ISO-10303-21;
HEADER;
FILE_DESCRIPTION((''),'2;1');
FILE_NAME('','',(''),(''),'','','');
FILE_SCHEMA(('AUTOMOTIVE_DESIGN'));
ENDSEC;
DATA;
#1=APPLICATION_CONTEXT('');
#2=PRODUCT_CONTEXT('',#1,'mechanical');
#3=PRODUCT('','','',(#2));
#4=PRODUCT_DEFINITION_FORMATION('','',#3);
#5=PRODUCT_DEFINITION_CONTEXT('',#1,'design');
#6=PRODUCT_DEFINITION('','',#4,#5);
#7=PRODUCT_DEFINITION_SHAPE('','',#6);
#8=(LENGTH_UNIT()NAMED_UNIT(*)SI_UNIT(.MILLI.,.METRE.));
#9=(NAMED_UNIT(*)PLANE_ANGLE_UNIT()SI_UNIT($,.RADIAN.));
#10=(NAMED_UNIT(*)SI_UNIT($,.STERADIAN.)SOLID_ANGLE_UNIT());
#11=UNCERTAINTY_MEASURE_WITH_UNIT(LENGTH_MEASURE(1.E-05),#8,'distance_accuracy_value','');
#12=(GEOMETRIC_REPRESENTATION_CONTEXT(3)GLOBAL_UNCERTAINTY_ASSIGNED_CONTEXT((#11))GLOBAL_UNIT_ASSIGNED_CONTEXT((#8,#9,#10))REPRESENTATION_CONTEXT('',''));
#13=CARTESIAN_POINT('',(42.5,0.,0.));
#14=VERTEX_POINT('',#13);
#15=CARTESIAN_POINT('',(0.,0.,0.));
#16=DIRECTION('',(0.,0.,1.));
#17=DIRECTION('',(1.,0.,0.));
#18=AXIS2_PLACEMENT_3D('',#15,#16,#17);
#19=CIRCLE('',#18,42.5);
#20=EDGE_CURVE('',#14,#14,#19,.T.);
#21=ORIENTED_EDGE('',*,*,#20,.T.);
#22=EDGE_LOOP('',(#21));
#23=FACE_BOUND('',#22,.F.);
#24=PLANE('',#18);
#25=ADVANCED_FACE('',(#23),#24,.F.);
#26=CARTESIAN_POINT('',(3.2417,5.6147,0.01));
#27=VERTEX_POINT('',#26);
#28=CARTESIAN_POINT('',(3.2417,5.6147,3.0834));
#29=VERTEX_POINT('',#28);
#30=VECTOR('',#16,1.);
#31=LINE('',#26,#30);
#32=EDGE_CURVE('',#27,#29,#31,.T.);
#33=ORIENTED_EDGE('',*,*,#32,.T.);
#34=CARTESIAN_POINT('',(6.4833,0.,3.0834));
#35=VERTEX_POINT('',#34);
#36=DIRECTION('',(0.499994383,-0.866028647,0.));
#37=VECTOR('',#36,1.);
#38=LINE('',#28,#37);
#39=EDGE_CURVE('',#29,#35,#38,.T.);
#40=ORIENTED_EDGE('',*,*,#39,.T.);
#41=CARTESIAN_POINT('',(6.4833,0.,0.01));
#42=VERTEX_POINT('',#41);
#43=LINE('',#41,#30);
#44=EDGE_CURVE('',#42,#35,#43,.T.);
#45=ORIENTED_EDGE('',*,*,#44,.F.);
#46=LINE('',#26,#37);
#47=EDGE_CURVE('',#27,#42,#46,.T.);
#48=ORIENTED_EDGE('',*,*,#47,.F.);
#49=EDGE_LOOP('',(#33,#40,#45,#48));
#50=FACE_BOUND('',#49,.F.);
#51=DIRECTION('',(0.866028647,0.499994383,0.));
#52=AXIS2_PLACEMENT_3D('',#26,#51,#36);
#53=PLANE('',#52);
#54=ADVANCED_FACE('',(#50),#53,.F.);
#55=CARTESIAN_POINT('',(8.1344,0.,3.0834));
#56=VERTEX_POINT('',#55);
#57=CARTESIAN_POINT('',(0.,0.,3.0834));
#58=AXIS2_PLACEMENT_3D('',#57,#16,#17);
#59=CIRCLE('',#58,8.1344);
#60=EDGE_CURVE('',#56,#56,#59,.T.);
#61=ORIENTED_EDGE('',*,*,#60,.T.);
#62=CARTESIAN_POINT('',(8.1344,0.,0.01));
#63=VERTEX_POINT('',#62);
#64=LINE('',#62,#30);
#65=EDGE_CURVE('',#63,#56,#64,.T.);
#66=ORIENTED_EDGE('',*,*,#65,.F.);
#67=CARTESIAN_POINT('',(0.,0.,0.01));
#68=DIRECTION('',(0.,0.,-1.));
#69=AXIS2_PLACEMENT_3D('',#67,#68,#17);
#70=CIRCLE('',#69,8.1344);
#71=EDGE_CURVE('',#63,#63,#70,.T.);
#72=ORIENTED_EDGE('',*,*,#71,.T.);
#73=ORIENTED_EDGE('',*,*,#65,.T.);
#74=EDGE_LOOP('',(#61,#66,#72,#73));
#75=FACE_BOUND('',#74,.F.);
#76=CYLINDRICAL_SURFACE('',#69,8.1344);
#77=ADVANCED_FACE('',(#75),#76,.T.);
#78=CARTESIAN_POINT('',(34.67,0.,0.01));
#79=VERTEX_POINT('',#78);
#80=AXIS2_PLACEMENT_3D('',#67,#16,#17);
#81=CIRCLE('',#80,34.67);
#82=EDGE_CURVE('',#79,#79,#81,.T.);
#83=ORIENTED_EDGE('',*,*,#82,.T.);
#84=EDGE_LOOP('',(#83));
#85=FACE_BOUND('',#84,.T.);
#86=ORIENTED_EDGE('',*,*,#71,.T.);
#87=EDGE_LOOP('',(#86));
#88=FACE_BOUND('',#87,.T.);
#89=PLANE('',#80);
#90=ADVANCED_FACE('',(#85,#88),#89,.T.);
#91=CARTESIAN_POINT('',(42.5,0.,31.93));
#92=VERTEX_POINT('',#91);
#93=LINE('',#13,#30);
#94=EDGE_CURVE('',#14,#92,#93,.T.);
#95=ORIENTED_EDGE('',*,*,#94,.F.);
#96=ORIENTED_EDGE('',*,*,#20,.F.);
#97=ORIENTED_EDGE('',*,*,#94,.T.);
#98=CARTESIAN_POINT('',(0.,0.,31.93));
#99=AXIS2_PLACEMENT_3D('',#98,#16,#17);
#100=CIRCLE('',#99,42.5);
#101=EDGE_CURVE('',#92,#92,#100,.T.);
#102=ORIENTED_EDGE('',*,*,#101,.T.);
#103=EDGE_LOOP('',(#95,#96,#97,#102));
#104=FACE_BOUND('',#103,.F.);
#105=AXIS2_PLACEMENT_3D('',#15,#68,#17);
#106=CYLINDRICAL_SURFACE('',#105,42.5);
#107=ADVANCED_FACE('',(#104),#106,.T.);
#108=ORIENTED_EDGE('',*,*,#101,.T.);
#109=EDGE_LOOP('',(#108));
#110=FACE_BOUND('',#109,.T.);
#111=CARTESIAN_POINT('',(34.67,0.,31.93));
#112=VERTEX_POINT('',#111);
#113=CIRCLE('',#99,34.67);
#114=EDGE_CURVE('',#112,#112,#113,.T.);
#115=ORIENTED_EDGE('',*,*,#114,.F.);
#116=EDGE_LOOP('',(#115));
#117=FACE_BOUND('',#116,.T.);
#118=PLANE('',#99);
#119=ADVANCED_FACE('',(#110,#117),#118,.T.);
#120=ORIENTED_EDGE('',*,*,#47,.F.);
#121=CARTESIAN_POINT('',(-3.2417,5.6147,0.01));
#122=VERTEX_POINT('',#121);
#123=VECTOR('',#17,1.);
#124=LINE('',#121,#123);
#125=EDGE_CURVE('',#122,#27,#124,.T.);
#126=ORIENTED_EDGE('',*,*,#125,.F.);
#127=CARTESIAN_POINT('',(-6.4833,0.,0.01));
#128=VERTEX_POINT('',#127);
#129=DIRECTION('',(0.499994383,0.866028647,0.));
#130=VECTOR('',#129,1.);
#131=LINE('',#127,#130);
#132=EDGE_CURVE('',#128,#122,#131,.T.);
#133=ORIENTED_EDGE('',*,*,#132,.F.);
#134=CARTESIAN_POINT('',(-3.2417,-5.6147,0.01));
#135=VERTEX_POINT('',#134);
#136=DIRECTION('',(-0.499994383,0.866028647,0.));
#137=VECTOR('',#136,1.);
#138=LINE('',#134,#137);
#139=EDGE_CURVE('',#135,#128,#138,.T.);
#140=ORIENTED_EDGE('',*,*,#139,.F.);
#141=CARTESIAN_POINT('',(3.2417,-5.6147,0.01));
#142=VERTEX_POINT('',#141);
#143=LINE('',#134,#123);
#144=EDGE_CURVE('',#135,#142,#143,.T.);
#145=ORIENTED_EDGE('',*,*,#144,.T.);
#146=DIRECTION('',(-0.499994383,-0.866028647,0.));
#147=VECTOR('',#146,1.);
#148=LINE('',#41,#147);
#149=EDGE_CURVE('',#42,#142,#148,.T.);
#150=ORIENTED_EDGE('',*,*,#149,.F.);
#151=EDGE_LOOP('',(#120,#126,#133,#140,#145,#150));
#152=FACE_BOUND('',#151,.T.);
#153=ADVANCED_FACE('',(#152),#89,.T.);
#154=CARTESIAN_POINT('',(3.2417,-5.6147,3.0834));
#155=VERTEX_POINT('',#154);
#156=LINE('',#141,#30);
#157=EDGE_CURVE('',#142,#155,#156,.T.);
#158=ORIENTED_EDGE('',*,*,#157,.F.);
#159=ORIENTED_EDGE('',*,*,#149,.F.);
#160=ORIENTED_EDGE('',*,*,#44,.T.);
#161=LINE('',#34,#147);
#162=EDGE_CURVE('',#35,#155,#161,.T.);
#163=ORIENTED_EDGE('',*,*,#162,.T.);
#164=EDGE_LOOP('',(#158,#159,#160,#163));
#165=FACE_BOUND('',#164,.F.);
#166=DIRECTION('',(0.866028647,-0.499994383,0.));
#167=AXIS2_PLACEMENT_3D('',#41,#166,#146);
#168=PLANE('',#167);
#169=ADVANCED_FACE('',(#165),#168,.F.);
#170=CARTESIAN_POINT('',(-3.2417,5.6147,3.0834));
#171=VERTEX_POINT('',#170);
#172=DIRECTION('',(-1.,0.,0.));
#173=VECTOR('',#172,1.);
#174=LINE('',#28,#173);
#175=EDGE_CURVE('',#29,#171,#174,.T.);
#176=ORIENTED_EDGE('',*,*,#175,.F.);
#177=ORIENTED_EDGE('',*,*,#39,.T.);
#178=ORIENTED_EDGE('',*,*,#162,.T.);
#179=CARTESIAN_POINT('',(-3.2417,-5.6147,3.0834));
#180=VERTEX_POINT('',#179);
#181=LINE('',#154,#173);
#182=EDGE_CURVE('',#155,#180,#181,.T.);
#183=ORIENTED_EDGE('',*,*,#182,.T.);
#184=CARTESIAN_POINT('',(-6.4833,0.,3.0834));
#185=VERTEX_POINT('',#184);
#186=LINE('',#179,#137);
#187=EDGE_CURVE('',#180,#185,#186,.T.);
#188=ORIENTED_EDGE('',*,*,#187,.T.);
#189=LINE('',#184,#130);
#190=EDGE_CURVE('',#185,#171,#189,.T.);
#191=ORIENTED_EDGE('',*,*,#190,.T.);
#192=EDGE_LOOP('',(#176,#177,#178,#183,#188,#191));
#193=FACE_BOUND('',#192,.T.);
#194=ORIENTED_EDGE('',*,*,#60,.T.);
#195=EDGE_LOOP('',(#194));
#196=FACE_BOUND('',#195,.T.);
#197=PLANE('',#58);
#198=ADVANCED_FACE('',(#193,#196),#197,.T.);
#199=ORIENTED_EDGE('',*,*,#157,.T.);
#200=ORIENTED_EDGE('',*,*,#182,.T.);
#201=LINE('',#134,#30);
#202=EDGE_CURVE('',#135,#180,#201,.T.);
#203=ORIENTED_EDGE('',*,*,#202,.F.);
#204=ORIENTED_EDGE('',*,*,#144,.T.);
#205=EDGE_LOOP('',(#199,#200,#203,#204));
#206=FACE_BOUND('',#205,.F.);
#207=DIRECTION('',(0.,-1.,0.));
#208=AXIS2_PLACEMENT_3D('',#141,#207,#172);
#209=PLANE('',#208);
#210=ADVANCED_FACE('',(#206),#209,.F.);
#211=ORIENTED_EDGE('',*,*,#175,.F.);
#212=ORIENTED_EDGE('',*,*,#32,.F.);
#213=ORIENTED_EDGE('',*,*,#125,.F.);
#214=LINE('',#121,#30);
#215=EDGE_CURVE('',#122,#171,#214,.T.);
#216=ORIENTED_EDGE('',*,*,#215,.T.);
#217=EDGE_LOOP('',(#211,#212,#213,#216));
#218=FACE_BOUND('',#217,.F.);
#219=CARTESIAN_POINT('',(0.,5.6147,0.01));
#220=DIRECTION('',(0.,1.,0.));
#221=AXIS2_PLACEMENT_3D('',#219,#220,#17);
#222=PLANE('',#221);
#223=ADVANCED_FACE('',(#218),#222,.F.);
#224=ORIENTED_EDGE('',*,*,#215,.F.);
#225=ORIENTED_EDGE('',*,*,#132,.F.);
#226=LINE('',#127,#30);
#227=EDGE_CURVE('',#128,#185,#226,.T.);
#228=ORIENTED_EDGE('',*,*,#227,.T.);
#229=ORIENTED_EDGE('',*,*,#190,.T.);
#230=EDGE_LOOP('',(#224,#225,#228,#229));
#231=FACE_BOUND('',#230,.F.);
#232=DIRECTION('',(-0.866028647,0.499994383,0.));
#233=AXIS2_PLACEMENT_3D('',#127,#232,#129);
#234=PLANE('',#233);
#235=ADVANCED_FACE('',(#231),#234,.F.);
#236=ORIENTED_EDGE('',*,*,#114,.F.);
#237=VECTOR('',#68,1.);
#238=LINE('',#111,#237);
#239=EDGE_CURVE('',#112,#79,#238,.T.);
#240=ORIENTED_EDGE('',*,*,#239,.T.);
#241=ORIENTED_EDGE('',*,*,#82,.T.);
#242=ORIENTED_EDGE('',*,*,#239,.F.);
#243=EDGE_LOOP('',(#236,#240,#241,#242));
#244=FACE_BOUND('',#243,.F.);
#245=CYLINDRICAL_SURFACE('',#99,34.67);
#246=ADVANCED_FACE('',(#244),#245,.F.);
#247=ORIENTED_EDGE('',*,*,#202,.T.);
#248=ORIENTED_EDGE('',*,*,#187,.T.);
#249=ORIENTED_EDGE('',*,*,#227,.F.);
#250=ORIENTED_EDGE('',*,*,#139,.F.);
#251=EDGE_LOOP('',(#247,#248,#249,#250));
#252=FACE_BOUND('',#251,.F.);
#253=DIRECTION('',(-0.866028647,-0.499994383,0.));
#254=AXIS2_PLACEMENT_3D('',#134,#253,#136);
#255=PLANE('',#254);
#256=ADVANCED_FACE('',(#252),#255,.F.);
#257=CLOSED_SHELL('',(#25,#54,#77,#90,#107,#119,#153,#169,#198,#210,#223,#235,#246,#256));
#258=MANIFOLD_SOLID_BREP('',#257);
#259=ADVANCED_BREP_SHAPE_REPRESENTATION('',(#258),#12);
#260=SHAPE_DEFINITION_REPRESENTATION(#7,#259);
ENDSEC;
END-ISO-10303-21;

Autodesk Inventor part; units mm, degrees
ref_plane "YZ Plane" through (0, 0, 0) normal (1, 0, 0) x (0, 1, 0)
ref_plane "XZ Plane" through (0, 0, 0) normal (0, 1, 0) x (-1, 0, 0)
ref_plane "XY Plane" through (0, 0, 0) normal (0, 0, 1) x (1, 0, 0)
sketch "Sketch1" plane through (0, 0, 0) normal (0, 0, 1) x (1, 0, 0)
  circle A0 centre (0, 0) radius 42.5
  dimension "d0" = 85
extrude "Extrusion1" add sketch "Sketch1" along normal blind 31.93
sketch "Sketch2" plane through (0, 0, 31.93) normal (0, 0, 1) x (1, 0, 0)
  circle A0 centre (0, 0) radius 34.67
  circle A1 centre (0, 0) radius 42.5 projected
  dimension "d3" = 7.83
extrude "Extrusion2" cut sketch "Sketch2" against normal blind 31.92 contours A0
sketch "Sketch5" plane through (0, 0, 0.01) normal (0, 0, 1) x (1, 0, 0)
  line L0 (3.2417, 5.6147) -> (6.4833, 0)
  line L1 (6.4833, 0) -> (3.2417, -5.6147)
  line L2 (3.2417, -5.6147) -> (-3.2417, -5.6147)
  line L3 (-3.2417, -5.6147) -> (-6.4833, 0)
  line L4 (-6.4833, 0) -> (-3.2417, 5.6147)
  line L5 (-3.2417, 5.6147) -> (3.2417, 5.6147)
  line L6 (-59.5, 0) -> (59.5, 0) projected
  line L7 (0, -59.5) -> (0, 59.5) projected
  circle A0 centre (0, 0) radius 6.4833
  circle A1 centre (0, 0) radius 8.1344
  dimension "d13" = 12.9667
  dimension "d14" = 1.651
extrude "Extrusion5" add sketch "Sketch5" along normal blind 3.0734 contours A0 L0 | A0 L7 A1 L6 | L5 L7 A0 | A0 L1 | L6 A1 L7 A0 | L5 A0 L7 | A0 L6 A1 L7 | A0 L7 L2 | L4 A0 | L7 A0 L2 | L7 A1 L6 A0 | L3 A0
properties part number "wheel"
